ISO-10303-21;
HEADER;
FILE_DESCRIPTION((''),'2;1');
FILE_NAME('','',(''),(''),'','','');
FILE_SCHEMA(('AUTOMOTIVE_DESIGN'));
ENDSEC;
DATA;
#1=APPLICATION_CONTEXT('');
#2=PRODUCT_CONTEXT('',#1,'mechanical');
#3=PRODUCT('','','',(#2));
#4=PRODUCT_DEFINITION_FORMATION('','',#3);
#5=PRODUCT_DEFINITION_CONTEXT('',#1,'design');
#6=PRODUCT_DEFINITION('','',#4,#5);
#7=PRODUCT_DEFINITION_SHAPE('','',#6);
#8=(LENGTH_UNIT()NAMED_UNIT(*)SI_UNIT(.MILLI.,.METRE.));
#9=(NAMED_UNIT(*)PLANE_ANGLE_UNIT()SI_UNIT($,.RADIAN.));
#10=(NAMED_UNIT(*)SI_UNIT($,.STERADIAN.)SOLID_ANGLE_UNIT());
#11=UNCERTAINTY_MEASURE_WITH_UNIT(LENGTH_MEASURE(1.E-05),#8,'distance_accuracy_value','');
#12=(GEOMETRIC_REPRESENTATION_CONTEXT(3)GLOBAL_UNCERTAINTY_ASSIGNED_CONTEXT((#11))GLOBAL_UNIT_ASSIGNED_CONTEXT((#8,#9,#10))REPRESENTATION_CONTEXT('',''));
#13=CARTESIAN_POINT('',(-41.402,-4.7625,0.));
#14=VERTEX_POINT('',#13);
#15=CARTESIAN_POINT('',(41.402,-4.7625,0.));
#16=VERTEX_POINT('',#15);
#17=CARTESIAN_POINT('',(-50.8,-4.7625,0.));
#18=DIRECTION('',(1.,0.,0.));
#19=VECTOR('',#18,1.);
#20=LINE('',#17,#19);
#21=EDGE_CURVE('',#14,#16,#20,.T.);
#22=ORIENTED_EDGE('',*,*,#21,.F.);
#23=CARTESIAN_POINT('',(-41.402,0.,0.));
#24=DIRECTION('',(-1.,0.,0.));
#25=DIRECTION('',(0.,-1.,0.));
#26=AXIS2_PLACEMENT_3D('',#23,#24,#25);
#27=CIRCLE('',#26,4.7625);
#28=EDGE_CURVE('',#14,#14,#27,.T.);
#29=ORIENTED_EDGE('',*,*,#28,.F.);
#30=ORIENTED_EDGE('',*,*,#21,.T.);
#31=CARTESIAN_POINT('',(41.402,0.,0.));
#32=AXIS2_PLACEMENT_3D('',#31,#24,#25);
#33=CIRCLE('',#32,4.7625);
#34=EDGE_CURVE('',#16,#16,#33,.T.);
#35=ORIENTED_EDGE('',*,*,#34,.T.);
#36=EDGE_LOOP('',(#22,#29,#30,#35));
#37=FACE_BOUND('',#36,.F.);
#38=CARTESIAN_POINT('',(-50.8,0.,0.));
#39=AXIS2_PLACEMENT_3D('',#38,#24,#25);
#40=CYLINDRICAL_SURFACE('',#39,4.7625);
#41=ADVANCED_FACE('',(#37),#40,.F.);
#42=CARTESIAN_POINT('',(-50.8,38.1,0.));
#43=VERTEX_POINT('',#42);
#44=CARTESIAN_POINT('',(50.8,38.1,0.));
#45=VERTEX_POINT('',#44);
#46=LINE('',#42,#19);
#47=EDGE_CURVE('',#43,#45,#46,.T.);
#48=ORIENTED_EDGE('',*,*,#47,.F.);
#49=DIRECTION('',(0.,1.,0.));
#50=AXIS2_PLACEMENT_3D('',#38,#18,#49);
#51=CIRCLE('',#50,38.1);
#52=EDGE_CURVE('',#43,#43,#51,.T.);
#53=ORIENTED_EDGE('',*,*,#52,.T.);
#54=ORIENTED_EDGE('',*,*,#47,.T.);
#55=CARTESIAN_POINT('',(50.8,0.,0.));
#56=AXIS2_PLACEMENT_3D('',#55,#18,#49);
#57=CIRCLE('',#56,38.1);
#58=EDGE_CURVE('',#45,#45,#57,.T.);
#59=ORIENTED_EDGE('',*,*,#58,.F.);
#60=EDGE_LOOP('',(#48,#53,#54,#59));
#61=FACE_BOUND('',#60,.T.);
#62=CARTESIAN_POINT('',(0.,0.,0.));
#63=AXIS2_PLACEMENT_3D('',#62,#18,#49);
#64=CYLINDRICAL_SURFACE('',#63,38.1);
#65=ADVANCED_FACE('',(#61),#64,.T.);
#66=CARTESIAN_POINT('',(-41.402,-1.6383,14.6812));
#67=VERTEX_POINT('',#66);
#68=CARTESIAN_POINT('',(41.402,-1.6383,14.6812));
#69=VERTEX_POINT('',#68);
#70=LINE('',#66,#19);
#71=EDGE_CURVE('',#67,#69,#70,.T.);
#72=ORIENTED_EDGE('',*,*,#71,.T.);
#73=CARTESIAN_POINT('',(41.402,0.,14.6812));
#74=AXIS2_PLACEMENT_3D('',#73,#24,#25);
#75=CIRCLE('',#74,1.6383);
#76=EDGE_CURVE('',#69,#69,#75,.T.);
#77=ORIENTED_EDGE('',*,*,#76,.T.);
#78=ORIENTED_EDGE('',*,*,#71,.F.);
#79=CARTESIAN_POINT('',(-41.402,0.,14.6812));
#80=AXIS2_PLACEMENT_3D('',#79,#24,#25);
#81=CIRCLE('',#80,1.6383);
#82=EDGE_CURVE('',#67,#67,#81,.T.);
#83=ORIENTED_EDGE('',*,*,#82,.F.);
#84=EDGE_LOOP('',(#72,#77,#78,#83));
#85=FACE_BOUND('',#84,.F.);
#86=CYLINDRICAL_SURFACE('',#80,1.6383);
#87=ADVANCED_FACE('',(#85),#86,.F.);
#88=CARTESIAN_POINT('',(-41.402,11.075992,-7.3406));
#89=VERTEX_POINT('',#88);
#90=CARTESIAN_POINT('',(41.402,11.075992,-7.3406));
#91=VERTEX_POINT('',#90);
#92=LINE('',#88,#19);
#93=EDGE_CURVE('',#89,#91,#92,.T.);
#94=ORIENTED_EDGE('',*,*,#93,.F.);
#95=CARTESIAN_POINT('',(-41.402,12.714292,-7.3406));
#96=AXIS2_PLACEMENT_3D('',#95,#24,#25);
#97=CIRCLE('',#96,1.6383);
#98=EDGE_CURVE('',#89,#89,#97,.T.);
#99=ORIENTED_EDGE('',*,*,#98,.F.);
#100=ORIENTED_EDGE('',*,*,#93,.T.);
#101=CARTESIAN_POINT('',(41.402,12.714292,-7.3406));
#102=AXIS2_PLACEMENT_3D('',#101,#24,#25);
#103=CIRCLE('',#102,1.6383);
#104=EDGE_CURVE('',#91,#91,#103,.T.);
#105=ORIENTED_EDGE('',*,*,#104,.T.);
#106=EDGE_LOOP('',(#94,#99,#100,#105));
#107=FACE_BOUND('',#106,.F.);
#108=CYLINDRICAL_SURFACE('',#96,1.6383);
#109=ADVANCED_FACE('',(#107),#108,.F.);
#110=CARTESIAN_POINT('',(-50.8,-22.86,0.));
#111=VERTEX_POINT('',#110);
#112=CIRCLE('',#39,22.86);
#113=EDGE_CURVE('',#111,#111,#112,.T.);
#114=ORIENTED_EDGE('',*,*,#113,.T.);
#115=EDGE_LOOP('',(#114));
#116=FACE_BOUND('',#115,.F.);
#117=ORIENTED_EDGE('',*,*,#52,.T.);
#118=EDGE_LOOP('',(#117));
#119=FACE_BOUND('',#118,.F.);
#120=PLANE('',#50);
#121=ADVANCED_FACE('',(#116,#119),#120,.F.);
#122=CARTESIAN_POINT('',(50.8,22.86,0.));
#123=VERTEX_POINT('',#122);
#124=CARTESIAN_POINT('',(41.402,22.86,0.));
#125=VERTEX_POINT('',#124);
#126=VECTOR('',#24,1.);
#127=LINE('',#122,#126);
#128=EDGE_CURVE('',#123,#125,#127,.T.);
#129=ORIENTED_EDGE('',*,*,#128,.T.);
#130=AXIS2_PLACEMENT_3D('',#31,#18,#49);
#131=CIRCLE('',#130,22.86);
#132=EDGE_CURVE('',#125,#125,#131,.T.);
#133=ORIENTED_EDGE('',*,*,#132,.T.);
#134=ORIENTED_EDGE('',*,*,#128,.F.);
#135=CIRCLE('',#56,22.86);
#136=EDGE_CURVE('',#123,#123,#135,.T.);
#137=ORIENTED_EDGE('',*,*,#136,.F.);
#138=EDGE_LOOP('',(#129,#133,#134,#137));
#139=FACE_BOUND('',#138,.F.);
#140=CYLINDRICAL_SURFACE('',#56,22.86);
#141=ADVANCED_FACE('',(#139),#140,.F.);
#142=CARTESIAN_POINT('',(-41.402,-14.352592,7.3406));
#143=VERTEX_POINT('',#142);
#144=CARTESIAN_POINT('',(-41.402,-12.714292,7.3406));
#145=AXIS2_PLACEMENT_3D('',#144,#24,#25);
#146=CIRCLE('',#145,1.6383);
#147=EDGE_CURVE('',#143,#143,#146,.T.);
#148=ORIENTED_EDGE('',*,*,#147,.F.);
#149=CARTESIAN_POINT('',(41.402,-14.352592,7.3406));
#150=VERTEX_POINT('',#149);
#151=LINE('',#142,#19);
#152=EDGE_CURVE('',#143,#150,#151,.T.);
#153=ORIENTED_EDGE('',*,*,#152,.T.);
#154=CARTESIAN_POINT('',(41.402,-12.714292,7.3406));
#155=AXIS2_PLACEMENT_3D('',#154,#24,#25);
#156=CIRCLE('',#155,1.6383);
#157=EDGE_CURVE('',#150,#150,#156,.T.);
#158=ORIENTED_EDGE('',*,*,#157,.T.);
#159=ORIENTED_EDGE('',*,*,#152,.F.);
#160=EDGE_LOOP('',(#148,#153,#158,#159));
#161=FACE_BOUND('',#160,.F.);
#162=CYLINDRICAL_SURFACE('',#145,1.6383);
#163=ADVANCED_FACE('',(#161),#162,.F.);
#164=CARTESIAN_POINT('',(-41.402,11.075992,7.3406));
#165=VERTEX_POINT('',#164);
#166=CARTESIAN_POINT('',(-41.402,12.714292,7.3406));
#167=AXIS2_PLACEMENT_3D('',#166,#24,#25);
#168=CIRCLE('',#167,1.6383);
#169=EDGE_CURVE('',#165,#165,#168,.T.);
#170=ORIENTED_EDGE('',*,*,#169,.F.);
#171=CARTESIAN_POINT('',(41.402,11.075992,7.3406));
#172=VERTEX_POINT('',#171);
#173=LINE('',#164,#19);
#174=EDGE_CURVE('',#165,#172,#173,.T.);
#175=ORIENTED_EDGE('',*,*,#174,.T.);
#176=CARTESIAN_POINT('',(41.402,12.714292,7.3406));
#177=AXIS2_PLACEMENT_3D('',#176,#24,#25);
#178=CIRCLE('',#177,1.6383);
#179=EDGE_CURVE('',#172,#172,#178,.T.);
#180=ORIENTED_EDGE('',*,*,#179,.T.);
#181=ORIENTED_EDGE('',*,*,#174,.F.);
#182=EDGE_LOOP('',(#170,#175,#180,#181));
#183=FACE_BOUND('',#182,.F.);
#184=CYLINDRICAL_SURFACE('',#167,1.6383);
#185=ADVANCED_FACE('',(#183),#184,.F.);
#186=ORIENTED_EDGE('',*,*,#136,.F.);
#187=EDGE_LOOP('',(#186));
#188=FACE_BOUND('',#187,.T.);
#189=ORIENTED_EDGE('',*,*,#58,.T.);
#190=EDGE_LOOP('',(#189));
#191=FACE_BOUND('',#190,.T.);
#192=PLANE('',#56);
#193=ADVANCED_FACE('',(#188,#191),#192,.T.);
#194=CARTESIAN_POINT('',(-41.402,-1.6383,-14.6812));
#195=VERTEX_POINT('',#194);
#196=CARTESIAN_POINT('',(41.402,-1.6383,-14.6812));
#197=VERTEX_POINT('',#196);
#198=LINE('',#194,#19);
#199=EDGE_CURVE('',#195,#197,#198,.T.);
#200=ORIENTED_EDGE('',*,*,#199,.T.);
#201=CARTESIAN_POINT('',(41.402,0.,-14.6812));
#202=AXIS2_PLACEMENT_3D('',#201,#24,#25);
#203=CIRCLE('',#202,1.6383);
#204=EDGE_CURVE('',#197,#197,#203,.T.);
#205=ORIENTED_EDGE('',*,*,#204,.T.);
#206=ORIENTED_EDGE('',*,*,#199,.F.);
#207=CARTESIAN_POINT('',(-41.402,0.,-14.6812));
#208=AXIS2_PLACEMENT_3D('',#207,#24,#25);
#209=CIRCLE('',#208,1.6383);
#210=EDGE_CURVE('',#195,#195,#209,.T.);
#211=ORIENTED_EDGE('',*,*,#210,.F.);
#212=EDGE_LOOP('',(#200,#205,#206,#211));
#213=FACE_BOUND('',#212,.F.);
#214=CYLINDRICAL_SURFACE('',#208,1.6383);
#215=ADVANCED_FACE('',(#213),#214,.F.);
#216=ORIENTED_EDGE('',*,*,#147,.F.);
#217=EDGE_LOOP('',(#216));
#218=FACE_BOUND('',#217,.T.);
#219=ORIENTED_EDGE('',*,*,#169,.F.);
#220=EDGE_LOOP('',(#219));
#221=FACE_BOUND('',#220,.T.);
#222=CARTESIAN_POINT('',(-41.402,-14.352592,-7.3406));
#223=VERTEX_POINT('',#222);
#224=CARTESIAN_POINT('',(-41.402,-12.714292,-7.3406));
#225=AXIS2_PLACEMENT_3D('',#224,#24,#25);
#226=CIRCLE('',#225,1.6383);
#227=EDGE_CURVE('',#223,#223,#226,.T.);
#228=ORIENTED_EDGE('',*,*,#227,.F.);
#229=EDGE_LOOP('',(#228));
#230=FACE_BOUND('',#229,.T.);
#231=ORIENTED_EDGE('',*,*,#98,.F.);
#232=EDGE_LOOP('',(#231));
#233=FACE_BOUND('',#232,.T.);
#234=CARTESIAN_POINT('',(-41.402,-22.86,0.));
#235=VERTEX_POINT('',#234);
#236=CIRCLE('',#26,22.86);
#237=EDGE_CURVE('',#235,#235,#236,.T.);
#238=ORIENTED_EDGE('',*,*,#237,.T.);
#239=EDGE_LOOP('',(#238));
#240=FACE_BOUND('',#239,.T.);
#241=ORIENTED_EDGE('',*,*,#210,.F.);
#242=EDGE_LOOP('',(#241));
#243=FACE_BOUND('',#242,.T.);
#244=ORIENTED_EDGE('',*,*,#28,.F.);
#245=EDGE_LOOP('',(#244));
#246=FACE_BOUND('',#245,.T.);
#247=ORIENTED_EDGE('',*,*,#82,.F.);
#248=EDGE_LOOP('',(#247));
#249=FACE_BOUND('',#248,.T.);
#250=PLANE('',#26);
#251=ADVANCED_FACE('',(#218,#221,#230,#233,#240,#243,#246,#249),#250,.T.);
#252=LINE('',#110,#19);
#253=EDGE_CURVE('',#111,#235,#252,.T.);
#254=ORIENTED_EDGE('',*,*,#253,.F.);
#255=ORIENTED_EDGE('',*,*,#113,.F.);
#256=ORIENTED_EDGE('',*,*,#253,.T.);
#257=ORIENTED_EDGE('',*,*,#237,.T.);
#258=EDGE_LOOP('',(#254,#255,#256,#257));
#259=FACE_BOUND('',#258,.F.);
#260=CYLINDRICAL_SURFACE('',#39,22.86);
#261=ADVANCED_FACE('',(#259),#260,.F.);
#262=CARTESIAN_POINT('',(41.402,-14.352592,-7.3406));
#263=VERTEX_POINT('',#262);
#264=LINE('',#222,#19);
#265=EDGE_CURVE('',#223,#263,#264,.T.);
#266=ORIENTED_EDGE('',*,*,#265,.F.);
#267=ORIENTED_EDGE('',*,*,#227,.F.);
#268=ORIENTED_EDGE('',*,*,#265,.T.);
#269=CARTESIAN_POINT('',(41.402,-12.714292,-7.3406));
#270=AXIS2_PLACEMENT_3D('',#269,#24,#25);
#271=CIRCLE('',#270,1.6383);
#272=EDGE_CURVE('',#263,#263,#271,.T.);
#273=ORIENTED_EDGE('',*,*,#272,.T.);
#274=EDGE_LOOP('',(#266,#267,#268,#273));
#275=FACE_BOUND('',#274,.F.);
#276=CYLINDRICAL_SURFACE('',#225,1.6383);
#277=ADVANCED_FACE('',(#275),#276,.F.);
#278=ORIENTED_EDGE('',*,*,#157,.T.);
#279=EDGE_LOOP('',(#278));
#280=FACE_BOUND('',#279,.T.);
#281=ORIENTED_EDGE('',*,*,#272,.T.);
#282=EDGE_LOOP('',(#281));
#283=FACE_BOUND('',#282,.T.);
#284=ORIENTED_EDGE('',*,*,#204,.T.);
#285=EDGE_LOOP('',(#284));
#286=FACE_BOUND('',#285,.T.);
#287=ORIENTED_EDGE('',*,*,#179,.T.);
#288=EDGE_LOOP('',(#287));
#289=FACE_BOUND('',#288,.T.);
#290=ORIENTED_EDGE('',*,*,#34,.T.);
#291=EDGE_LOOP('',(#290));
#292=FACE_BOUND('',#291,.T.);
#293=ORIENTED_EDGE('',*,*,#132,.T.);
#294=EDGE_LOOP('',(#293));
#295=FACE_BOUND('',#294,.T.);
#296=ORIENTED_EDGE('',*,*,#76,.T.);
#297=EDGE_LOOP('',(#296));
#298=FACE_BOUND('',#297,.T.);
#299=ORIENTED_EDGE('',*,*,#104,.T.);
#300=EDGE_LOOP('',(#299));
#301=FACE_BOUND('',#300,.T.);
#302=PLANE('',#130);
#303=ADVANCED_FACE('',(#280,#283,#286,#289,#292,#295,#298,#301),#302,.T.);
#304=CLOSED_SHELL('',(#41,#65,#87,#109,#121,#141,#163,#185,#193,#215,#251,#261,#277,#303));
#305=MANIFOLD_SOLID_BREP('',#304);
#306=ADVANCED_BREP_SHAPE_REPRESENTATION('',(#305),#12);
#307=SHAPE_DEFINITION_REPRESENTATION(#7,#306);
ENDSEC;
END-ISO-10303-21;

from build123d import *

# Parameters (mm, degrees)
F0_R     = 38.1
F1_DEPTH = 50.8
F2_R     = 22.86
F3_DEPTH = 9.398
F4_R     = 22.86
F5_DEPTH = 9.398
F6_R     = 4.7625
F7_DEPTH = 101.601
F8_R     = 1.6383
F9_DEPTH = 92.203


with BuildPart() as f1:
    # F0 (on Right) → F1 (new body, symmetric)
    with BuildSketch(Plane.YZ):
        Circle(F0_R)
    extrude(amount=F1_DEPTH, both=True)

    # F2 (on face) → F3 (cut)
    with BuildSketch(Plane(origin=(-50.8, 0, 0), x_dir=(0, -1, 0), z_dir=(-1, 0, 0))):
        Circle(F2_R)
    extrude(amount=-F3_DEPTH, mode=Mode.SUBTRACT)

    # F4 (on face) → F5 (cut)
    with BuildSketch(Plane.YZ.offset(50.8)):
        Circle(F4_R)
    extrude(amount=-F5_DEPTH, mode=Mode.SUBTRACT)

    # F6 (on face) → F7 (cut, through all)
    with BuildSketch(Plane(origin=(-50.8, 0, 0), x_dir=(0, -1, 0), z_dir=(-1, 0, 0))):
        Circle(F6_R)
    extrude(amount=-F7_DEPTH, mode=Mode.SUBTRACT)

    # F8 (on face) → F9 (cut, through all)
    with BuildSketch(Plane(origin=(-41.402, 0, 0), x_dir=(0, -1, 0), z_dir=(-1, 0, 0))):
        with Locations((0, 14.6812)):
            Circle(F8_R)
        with Locations((12.714292, 7.3406)):
            Circle(F8_R)
        with Locations((12.714292, -7.3406)):
            Circle(F8_R)
        with Locations((0, -14.6812)):
            Circle(F8_R)
        with Locations((-12.714292, -7.3406)):
            Circle(F8_R)
        with Locations((-12.714292, 7.3406)):
            Circle(F8_R)
    extrude(amount=-F9_DEPTH, mode=Mode.SUBTRACT)


solid = f1.part
